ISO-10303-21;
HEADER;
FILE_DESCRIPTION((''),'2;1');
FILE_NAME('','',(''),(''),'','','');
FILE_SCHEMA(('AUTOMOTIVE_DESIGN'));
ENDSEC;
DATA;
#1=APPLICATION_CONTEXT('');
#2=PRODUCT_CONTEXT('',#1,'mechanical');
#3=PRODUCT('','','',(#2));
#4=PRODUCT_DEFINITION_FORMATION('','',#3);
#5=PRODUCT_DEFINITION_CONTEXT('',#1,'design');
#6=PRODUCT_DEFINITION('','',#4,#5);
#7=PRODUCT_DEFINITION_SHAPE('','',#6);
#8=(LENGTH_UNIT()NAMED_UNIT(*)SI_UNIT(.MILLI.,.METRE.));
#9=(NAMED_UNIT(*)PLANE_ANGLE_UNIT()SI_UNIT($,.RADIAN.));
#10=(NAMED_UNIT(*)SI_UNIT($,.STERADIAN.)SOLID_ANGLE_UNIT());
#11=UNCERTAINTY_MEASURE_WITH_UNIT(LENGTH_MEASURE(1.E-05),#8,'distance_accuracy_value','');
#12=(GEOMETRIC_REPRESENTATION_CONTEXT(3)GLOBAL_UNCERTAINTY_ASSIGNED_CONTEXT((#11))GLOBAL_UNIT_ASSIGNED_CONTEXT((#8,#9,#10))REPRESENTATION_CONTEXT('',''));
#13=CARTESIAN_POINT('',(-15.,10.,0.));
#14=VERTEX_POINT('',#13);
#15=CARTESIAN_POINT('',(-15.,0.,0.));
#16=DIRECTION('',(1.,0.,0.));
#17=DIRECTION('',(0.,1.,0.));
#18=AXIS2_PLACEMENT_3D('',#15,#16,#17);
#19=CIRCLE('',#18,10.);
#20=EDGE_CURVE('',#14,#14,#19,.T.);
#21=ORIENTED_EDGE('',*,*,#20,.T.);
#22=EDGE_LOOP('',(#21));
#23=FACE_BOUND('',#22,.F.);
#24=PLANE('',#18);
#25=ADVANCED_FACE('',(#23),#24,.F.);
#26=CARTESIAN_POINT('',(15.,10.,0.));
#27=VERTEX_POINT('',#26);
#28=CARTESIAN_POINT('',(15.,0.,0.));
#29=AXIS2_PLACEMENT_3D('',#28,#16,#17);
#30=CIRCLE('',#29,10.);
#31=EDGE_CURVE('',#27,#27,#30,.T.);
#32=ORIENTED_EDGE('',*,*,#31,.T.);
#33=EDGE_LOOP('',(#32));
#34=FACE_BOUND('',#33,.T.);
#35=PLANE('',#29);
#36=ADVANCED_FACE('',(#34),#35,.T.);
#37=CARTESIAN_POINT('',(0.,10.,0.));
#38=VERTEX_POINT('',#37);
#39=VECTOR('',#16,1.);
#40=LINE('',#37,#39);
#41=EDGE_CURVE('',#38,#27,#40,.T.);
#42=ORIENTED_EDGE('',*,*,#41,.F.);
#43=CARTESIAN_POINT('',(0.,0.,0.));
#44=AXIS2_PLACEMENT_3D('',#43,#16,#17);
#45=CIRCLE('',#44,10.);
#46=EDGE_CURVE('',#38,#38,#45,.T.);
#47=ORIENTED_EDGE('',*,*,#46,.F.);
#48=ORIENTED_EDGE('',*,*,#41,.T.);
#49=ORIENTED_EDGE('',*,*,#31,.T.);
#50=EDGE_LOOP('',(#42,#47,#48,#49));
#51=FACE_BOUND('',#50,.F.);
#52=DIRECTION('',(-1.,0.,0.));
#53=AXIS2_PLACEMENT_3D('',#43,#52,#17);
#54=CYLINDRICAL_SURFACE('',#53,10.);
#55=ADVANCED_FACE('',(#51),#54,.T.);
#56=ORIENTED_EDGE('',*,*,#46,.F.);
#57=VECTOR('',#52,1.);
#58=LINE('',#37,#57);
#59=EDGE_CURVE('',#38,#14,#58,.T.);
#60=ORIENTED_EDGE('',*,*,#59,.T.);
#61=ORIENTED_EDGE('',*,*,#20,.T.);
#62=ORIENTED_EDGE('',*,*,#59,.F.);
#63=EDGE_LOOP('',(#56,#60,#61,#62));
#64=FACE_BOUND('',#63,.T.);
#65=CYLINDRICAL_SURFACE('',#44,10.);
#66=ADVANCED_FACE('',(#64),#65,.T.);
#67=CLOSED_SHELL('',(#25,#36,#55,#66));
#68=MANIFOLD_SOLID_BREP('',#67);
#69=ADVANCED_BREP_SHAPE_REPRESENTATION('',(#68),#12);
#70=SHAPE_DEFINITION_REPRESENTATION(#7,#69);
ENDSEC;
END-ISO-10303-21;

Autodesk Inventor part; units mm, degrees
ref_plane "YZ Plane" through (0, 0, 0) normal (1, 0, 0) x (0, 1, 0)
ref_plane "XZ Plane" through (0, 0, 0) normal (0, 1, 0) x (-1, 0, 0)
ref_plane "XY Plane" through (0, 0, 0) normal (0, 0, 1) x (1, 0, 0)
sketch "Sketch1" plane through (0, 0, 0) normal (1, 0, 0) x (0, 1, 0)
  circle A0 centre (0, 0) radius 10
  dimension "d0" = 20
extrude "Extrusion1" add sketch "Sketch1" along normal mid plane 30
properties part number "CT_03"
